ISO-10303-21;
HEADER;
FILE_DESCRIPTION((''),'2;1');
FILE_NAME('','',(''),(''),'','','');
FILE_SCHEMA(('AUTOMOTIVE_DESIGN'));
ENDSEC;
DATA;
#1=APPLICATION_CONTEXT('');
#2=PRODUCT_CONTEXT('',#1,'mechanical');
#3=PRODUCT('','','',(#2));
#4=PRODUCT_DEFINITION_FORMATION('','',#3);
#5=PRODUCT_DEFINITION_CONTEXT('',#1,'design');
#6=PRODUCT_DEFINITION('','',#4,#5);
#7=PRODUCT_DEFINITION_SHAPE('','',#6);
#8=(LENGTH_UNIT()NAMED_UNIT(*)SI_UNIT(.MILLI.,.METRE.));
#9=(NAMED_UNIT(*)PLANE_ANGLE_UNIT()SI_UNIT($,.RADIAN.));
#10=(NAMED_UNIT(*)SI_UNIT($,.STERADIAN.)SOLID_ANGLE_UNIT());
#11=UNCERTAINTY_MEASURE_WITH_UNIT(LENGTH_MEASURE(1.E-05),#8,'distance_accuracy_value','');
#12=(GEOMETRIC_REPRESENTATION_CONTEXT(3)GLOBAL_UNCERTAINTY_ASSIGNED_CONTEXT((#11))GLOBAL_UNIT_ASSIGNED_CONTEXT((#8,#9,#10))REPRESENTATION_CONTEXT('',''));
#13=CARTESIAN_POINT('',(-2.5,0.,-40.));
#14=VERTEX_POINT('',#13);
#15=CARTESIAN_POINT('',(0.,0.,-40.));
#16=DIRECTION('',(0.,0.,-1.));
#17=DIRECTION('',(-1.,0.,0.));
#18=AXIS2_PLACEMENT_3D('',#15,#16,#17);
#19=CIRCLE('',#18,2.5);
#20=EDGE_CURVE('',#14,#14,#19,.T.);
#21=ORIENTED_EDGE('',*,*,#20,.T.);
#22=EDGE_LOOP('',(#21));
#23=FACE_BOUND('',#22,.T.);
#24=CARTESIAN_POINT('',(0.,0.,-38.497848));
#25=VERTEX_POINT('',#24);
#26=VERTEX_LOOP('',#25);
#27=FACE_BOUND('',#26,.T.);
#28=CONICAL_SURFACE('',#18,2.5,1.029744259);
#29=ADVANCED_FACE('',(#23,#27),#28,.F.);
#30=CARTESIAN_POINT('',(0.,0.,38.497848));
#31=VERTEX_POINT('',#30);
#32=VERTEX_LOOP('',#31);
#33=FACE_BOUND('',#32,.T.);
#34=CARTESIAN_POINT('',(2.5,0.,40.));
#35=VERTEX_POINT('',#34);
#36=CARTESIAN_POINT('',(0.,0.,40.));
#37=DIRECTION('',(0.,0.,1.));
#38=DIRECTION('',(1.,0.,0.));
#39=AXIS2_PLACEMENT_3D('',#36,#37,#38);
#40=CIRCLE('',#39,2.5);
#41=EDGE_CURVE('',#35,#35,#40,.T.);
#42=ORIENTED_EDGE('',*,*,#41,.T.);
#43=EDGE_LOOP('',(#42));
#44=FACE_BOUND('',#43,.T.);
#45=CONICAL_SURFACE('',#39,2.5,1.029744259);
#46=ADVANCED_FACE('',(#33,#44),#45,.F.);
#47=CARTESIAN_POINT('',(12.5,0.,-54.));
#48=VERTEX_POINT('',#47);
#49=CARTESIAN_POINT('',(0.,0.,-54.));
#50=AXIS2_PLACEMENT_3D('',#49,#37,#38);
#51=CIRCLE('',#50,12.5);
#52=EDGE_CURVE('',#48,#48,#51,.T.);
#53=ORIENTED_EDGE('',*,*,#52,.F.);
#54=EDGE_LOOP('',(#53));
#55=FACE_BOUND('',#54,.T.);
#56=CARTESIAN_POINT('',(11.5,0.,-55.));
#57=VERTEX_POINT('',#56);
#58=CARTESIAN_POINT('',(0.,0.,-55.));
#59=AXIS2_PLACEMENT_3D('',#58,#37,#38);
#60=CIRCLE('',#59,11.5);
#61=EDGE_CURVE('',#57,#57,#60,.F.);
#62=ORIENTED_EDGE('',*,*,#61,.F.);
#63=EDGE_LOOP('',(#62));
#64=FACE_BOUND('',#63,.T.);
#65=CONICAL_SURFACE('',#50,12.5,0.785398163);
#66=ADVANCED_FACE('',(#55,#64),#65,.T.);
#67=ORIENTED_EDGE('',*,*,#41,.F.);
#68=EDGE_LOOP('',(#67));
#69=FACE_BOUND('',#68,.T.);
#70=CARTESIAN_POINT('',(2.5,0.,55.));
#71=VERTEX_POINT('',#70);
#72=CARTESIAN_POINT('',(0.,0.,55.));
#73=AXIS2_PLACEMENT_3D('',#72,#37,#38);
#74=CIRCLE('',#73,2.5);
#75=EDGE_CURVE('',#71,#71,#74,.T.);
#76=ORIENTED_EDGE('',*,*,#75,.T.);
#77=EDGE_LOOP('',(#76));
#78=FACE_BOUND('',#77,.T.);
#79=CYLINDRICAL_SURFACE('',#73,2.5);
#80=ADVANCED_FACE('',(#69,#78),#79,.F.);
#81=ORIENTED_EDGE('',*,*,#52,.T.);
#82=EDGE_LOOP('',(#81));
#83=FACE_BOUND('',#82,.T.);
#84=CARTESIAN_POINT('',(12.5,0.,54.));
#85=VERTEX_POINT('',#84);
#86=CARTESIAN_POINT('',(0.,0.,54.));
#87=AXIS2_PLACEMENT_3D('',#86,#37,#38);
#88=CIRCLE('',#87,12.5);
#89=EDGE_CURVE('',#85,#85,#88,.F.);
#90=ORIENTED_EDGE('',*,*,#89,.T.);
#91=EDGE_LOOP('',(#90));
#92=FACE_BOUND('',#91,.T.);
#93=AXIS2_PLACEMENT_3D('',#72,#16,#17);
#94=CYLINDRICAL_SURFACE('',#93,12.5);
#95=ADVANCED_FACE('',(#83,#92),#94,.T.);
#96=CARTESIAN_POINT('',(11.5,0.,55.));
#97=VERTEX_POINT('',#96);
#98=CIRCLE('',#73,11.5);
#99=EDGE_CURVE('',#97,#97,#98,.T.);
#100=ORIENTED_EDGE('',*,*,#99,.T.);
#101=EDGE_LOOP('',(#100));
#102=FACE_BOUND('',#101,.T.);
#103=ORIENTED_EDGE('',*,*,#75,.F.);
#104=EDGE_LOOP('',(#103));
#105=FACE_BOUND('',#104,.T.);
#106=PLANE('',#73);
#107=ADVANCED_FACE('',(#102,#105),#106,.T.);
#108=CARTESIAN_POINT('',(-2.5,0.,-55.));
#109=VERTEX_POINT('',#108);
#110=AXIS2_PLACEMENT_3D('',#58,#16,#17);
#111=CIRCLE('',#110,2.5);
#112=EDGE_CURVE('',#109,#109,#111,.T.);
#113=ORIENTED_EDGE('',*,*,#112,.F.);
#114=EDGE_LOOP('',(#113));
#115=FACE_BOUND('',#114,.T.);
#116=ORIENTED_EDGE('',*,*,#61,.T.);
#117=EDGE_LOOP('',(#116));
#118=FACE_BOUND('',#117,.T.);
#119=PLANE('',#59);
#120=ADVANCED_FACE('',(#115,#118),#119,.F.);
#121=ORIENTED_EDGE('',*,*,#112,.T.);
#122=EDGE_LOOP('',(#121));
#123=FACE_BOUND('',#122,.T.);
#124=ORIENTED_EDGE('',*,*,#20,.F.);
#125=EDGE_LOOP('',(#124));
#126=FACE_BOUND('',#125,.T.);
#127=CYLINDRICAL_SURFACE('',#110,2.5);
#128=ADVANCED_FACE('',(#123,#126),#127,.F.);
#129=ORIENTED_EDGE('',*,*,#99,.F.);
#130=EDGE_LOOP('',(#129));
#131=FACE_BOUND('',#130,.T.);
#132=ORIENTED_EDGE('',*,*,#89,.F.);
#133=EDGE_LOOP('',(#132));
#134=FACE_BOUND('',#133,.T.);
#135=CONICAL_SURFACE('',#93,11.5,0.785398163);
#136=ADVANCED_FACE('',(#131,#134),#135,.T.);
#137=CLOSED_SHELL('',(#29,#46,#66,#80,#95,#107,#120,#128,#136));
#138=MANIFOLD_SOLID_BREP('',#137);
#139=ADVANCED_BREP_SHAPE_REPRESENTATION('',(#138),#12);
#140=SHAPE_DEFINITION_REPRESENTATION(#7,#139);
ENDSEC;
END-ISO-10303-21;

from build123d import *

# Parameters (mm, degrees)
SKETCH1_R           = 12.5
BOSS_EXTRUDE1_DEPTH = 55
CHAMFER1_SIZE       = 1


with BuildPart() as part:
    # Sketch1 → Boss-Extrude1 (new body, symmetric)
    with BuildSketch(Plane.XY):
        Circle(SKETCH1_R)
    extrude(amount=BOSS_EXTRUDE1_DEPTH, both=True)

    # Chamfer1
    chamfer1_edges = [part.edges().sort_by_distance(p)[0] for p in [
        (-12.5, 0, -55),
        (-12.5, 0, 55),
    ]]
    chamfer(chamfer1_edges, length=CHAMFER1_SIZE)

    # Sketch4 → M6 Tapped Hole1 (revolve, cut)
    with BuildSketch(Plane(origin=(0, 0, 55), x_dir=(0, -1, 0), z_dir=(1, 0, 0))):
        Polygon((0, 0), (0, 16.502151548), (2.5, 15), (2.5, 0), align=None)
    m6_tapped_hole1 = revolve(axis=Axis((0, 0, 61.35), (0, 0, -1)), mode=Mode.SUBTRACT)

    # Mirror1: M6 Tapped Hole1 across plane
    add(m6_tapped_hole1.mirror(Plane.XY), mode=Mode.SUBTRACT)


solid = part.part
